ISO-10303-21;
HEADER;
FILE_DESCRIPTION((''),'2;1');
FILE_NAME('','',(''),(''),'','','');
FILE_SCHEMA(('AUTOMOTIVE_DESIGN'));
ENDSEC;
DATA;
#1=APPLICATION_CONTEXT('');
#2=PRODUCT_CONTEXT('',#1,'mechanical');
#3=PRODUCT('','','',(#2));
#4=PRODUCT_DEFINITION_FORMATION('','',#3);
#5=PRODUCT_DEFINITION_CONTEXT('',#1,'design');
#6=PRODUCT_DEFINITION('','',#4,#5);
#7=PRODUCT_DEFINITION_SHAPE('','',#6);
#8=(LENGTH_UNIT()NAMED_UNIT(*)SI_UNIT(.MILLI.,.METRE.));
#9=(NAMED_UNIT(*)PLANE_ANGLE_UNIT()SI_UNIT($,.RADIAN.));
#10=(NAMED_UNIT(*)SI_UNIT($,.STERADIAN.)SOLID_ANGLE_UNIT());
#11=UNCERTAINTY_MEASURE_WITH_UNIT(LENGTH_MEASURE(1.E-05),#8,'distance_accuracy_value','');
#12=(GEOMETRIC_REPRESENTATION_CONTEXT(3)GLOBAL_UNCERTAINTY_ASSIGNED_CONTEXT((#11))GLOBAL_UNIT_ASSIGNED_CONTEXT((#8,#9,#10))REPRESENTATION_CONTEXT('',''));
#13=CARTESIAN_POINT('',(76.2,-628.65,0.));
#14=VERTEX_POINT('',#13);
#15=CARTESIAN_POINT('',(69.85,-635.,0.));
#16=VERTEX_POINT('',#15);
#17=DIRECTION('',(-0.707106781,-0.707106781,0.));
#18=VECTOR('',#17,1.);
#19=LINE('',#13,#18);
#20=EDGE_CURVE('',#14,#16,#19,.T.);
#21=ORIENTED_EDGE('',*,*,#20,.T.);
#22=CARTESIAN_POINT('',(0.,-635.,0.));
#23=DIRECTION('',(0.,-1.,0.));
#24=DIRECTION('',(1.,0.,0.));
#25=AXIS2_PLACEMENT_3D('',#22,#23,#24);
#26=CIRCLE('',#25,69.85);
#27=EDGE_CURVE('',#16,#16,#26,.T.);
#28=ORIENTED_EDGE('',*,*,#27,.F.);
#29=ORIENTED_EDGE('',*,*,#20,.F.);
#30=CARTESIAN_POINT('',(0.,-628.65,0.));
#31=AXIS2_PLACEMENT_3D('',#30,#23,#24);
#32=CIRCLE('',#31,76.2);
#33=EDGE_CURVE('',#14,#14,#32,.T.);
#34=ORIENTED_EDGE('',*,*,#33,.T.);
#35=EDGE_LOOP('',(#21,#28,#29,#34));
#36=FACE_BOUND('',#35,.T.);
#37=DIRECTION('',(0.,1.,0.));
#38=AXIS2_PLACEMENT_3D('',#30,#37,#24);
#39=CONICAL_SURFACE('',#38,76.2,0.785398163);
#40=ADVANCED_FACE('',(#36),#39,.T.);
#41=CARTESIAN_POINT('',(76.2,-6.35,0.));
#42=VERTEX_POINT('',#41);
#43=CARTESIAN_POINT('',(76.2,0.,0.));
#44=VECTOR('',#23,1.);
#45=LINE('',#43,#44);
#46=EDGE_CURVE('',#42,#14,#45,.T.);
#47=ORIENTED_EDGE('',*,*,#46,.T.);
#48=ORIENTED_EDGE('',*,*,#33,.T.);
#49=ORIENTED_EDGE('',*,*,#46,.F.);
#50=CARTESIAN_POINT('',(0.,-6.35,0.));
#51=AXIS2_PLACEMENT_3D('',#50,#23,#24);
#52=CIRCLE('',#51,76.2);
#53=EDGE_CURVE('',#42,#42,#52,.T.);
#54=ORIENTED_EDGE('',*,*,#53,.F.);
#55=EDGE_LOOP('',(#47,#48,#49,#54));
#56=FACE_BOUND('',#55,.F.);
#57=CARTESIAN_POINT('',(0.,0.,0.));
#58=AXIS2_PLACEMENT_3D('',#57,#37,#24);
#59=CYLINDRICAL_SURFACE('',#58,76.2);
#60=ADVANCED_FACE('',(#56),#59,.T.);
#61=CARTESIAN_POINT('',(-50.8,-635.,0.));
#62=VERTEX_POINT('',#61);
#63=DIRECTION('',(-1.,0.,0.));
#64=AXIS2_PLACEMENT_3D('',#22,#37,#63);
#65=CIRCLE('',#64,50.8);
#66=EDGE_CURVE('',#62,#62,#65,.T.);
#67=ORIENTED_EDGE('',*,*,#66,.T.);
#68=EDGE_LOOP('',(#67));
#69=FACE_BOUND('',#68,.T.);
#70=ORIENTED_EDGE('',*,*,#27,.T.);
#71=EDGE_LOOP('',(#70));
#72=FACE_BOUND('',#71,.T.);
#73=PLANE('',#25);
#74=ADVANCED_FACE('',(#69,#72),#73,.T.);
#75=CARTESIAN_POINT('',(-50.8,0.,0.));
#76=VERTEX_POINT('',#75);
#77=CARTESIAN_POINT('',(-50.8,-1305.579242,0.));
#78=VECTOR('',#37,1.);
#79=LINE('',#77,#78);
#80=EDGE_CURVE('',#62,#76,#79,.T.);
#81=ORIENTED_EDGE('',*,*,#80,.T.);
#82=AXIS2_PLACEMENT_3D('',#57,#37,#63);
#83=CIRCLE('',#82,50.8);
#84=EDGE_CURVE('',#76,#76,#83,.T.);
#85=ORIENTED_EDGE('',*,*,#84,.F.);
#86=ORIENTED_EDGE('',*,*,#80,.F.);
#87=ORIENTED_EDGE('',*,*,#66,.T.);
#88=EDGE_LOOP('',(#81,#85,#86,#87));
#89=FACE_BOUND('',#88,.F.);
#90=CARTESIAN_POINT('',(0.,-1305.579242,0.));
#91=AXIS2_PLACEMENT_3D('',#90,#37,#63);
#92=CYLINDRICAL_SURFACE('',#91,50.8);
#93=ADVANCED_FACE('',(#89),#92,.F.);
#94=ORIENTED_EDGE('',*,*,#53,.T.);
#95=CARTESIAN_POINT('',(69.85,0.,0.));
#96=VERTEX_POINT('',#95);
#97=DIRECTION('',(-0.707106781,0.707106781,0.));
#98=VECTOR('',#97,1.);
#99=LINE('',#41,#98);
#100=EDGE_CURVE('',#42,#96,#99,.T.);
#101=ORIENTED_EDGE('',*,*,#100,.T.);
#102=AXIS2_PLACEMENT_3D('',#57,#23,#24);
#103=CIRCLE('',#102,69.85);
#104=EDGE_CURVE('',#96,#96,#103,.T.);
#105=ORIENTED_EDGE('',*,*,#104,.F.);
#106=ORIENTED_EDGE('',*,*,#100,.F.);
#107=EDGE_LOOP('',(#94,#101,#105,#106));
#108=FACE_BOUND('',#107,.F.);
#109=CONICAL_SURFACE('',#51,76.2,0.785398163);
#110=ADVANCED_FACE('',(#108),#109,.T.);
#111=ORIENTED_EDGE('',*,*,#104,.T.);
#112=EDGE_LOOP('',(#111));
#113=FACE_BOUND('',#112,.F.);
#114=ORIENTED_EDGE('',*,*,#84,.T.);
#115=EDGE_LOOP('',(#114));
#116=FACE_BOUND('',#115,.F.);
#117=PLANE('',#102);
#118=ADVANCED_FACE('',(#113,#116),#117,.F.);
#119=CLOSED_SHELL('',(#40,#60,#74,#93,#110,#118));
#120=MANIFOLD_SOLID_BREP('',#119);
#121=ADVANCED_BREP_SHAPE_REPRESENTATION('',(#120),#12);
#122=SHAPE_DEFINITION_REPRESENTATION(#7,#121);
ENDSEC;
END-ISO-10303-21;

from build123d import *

# Parameters (mm, degrees)
F0_R     = 76.2
F1_DEPTH = 635
F3_D     = 101.6
F4_SIZE  = 6.35
F5_SIZE  = 6.35


with BuildPart() as f1:
    # F0 (on Front) → F1 (new body)
    with BuildSketch(Plane.XZ):
        Circle(F0_R)
    extrude(amount=F1_DEPTH)

    # F3 (through all)
    with Locations(Plane.XZ.offset(635)):
        with Locations((0, 0)):
            Hole(F3_D / 2)

    # F4
    f4_edges = [f1.edges().sort_by_distance(p)[0] for p in [
        (-76.2, -635, 0),
    ]]
    chamfer(f4_edges, length=F4_SIZE)

    # F5
    f5_edges = [f1.edges().sort_by_distance(p)[0] for p in [
        (-76.2, 0, 0),
    ]]
    chamfer(f5_edges, length=F5_SIZE)


solid = f1.part
